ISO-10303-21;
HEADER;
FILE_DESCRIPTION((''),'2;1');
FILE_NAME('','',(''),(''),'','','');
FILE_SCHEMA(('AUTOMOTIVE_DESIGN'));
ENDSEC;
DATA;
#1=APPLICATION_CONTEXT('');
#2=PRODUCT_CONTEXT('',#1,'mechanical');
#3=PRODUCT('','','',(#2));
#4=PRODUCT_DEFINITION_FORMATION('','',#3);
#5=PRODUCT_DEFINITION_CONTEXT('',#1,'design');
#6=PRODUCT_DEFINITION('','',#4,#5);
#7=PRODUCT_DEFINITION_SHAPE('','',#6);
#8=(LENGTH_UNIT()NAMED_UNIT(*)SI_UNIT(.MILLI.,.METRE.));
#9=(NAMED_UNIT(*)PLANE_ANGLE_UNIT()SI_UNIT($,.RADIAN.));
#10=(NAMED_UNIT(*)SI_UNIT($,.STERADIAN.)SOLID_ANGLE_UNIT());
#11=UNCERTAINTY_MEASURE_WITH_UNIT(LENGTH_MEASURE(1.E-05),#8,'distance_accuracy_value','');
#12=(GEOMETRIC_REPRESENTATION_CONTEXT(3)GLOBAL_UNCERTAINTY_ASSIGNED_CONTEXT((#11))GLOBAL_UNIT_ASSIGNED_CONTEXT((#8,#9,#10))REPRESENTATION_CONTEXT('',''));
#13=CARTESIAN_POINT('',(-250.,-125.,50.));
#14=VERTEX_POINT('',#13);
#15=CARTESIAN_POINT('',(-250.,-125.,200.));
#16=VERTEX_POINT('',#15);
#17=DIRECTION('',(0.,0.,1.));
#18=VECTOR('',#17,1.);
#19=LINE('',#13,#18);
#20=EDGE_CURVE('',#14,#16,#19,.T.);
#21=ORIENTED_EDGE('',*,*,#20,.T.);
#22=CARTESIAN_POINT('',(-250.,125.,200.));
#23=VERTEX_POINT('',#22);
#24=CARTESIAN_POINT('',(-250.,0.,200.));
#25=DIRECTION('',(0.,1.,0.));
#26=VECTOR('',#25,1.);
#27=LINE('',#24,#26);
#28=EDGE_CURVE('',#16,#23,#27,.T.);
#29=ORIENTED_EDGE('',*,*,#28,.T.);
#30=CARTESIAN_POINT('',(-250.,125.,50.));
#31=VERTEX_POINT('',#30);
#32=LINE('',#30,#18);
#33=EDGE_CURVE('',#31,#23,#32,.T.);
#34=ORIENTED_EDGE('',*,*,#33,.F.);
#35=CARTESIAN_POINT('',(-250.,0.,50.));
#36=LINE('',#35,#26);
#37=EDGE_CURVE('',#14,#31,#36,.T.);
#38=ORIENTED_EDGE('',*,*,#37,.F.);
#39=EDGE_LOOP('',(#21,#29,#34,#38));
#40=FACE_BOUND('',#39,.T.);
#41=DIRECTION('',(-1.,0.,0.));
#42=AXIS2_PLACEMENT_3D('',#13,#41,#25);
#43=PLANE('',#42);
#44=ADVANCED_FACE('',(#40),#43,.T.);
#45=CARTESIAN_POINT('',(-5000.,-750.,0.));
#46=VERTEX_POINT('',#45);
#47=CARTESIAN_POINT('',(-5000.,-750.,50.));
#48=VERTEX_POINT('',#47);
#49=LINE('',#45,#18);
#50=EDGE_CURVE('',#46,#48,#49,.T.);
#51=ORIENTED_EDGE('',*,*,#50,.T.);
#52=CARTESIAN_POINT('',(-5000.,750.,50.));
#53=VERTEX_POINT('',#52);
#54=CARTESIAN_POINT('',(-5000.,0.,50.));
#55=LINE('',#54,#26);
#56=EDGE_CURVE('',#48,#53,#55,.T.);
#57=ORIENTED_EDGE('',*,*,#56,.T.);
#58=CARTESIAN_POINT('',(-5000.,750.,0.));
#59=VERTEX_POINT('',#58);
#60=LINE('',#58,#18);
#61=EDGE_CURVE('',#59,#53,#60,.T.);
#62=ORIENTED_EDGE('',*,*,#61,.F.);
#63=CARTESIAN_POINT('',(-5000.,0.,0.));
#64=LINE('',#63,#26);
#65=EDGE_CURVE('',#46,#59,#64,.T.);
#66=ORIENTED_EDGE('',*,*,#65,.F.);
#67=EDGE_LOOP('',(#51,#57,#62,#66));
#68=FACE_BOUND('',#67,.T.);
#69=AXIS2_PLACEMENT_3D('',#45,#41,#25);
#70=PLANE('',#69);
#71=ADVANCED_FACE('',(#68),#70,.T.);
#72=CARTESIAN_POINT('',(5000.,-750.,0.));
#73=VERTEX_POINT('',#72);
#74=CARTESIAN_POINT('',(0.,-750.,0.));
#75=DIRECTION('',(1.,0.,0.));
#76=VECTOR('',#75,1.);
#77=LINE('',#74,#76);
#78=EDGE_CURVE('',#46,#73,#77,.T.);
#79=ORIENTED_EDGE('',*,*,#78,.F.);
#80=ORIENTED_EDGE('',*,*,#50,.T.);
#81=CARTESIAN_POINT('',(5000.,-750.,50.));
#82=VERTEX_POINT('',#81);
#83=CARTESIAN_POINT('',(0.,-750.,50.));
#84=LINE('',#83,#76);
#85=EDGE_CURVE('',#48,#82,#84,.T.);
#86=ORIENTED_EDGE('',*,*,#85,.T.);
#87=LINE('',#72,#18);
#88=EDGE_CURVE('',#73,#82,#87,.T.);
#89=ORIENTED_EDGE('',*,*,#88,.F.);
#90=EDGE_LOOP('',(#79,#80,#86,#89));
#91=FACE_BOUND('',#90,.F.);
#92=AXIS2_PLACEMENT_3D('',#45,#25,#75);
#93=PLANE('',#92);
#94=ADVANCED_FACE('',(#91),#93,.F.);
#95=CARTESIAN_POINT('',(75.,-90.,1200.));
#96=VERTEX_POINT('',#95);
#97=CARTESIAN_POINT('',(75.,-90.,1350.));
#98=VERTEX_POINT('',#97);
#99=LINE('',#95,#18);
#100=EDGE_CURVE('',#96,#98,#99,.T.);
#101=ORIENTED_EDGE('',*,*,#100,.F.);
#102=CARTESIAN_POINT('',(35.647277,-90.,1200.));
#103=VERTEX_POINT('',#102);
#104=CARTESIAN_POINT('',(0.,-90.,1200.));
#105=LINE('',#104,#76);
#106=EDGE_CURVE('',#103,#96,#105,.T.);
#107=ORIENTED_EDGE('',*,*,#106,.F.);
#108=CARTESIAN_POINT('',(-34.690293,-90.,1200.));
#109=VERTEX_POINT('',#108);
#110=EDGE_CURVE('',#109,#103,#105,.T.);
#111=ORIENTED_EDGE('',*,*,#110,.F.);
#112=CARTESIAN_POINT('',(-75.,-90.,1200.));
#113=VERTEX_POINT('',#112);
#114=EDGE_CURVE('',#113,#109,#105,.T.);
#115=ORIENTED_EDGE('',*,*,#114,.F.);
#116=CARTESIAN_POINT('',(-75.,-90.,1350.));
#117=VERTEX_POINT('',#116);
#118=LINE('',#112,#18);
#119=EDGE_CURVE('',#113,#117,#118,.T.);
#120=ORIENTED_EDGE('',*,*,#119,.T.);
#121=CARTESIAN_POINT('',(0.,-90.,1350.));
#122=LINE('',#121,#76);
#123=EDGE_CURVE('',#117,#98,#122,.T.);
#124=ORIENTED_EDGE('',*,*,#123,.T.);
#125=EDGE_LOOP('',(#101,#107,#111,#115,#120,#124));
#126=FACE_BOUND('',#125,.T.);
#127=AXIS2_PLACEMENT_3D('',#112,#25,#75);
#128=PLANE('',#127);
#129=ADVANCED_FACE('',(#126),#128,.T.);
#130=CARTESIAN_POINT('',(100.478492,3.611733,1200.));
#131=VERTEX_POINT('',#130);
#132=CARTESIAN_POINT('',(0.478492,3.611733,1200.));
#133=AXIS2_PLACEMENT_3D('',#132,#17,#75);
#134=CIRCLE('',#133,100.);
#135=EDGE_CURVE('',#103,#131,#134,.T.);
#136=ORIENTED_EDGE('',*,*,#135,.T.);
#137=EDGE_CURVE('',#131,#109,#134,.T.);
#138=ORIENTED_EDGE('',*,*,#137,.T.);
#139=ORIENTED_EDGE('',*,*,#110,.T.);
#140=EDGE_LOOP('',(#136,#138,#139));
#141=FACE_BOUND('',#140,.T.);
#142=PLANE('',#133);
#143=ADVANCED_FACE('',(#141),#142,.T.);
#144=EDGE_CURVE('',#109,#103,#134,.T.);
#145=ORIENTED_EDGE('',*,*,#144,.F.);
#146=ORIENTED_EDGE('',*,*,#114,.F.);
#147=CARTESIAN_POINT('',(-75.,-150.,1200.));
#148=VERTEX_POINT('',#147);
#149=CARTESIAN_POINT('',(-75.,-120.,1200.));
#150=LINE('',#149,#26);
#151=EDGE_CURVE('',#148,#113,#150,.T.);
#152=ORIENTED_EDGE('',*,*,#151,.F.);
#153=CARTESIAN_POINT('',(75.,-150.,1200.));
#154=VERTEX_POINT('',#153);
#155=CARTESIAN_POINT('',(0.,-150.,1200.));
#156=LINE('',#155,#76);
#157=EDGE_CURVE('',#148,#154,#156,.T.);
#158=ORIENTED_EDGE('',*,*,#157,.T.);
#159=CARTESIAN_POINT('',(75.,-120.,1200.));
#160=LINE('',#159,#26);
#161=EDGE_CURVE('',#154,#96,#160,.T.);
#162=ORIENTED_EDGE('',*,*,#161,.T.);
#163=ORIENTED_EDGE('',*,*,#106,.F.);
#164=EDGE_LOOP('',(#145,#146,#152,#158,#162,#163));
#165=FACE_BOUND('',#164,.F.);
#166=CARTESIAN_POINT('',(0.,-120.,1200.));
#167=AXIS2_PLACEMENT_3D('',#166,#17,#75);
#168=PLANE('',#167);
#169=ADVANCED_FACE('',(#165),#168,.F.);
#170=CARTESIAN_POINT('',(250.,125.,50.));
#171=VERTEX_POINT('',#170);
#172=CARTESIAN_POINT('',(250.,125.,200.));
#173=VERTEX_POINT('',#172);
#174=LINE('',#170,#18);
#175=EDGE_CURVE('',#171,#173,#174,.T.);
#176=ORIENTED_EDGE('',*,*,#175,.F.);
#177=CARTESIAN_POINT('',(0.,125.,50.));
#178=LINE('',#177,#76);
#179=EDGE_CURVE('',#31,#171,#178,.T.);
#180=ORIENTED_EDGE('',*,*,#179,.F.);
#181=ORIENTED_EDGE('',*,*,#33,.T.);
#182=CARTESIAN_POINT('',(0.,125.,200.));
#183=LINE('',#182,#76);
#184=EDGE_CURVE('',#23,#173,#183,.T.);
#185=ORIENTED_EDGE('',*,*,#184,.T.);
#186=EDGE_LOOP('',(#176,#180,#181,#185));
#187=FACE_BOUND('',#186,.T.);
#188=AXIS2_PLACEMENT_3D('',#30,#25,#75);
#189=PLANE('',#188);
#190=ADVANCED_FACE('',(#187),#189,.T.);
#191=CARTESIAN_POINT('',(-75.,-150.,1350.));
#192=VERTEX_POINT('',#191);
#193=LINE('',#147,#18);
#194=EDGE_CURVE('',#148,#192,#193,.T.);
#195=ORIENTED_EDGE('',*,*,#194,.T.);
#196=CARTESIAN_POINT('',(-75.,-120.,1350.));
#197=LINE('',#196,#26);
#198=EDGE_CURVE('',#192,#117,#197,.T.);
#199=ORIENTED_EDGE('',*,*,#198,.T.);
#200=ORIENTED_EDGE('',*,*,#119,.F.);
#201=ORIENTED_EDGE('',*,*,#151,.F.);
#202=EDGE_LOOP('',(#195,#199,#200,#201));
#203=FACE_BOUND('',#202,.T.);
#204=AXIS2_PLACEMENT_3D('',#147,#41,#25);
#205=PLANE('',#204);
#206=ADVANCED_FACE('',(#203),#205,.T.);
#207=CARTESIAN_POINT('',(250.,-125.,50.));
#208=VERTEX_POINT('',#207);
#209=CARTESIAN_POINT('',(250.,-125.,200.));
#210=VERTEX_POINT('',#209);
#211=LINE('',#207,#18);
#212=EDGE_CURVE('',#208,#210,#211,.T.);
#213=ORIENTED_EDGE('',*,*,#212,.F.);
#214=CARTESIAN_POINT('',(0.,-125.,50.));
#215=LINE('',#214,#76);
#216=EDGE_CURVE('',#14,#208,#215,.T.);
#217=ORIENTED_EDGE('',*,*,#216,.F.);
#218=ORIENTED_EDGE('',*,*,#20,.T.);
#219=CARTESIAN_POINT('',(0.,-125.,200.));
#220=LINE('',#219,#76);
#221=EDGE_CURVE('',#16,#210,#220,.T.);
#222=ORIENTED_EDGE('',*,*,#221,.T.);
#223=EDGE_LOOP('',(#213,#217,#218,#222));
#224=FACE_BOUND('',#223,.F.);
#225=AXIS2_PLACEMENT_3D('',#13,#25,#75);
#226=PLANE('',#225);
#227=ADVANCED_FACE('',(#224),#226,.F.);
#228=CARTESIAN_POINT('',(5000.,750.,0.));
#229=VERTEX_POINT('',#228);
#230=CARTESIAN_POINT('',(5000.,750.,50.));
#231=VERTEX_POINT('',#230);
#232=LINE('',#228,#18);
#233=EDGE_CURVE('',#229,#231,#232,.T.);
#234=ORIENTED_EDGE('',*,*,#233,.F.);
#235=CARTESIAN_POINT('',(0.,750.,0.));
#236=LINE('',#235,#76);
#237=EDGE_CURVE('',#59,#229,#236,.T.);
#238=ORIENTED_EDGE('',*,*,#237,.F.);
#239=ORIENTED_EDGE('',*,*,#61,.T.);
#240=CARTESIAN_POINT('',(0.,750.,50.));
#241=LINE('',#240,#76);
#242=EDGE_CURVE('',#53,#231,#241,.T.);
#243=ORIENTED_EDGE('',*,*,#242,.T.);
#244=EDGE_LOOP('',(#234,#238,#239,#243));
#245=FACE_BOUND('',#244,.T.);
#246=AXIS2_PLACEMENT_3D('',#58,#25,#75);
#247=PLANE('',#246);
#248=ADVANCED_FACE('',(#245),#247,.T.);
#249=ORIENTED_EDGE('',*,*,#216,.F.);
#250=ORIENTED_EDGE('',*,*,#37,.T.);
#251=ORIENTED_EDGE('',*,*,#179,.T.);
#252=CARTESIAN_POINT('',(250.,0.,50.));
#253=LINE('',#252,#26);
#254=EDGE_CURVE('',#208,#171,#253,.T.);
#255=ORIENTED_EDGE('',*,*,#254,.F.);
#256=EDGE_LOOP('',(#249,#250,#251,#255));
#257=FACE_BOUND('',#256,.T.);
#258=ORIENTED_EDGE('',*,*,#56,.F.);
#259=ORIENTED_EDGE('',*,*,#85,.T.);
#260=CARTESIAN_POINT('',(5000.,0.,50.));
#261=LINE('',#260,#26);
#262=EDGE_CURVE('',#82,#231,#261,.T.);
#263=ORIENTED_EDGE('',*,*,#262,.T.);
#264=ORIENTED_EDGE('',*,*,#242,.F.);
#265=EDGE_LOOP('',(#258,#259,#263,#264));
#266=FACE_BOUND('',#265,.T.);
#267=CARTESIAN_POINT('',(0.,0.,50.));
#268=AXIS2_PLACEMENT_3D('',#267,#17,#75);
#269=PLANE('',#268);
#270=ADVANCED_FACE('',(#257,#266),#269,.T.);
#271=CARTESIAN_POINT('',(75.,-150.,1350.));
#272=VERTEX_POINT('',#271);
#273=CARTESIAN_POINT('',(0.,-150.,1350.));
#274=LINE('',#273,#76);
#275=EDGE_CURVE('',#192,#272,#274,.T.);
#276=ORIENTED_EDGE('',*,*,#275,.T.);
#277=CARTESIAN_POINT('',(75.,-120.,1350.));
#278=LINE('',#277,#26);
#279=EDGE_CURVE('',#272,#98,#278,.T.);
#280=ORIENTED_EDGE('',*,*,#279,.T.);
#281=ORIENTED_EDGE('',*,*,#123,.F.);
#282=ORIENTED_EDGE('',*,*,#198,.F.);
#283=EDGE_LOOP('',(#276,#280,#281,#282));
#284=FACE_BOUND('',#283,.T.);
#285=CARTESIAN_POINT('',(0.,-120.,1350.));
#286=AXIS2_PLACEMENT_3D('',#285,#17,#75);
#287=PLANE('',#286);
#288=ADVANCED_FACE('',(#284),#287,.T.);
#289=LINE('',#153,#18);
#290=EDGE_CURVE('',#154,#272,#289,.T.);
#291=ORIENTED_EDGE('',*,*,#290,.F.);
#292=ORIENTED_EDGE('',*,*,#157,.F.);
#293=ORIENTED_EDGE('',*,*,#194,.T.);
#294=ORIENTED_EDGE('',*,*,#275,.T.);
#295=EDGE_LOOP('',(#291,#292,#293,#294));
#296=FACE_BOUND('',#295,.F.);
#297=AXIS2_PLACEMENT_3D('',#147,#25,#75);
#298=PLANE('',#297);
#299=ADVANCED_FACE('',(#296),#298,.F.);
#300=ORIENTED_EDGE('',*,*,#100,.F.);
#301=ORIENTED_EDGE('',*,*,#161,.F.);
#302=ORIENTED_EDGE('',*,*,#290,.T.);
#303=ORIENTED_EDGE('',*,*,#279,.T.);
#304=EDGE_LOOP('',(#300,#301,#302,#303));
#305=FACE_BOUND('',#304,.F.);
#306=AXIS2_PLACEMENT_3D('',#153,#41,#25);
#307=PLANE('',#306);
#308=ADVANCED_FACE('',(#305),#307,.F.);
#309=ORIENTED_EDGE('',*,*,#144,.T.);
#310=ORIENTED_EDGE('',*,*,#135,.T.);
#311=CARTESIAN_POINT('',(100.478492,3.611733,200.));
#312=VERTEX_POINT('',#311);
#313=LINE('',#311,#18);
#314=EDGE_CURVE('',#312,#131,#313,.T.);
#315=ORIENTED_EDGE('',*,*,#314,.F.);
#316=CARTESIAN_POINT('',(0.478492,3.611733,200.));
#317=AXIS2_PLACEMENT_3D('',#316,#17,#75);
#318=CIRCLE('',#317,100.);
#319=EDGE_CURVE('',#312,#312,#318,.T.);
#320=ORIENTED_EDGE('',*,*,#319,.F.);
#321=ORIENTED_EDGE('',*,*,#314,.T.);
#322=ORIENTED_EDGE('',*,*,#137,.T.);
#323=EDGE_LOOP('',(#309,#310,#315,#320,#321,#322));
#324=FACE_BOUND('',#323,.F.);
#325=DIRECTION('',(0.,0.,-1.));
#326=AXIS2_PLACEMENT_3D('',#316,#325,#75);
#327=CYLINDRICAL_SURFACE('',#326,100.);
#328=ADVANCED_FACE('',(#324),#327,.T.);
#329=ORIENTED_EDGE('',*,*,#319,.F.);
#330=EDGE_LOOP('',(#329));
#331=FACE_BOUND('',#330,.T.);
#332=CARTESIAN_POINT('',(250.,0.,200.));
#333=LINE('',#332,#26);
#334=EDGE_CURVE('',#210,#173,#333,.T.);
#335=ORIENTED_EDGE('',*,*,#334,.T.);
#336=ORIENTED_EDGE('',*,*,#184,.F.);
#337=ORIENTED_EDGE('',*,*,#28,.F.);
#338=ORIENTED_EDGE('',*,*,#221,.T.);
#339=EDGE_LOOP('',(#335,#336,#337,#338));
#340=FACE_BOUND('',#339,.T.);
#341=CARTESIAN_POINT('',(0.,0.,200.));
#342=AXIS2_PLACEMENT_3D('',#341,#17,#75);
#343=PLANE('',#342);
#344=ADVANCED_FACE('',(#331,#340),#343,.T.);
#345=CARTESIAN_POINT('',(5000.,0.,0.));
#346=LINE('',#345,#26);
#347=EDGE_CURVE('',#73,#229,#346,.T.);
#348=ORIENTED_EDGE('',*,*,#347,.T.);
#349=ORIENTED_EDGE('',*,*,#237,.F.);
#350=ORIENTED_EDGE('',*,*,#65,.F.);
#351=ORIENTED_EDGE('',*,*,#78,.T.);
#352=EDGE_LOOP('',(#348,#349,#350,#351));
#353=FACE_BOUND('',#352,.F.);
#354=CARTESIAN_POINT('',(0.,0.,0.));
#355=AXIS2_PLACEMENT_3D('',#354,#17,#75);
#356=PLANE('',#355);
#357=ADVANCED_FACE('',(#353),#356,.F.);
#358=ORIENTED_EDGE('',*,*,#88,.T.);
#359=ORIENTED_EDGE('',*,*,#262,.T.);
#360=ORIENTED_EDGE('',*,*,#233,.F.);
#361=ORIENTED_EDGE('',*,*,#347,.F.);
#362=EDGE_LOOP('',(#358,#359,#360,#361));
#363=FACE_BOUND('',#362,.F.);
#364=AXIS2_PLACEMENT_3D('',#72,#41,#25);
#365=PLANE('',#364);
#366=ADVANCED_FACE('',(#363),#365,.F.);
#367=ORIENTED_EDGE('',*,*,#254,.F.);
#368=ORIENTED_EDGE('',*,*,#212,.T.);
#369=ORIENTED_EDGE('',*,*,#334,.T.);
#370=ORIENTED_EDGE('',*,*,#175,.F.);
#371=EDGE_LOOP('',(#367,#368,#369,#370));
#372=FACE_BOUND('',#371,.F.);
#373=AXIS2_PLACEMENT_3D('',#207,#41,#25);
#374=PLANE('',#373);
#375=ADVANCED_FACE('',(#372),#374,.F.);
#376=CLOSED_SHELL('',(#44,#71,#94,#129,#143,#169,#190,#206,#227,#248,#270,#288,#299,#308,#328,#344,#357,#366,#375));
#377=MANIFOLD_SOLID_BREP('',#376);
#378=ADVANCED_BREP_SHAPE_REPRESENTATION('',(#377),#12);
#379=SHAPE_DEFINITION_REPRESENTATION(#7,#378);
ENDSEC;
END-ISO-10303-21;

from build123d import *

# Parameters (mm, degrees)
SKETCH_W     = 10000
SKETCH_H     = 1500
PAD_DEPTH    = 50
SKETCH001_W  = 500
SKETCH001_H  = 250
PAD001_DEPTH = 150
SKETCH002_R  = 100
PAD002_DEPTH = 1000
SKETCH003_W  = 150
SKETCH003_H  = 60
PAD003_DEPTH = 150


with BuildPart() as part:
    # Sketch → Pad (new body)
    with BuildSketch(Plane.XY):
        Rectangle(SKETCH_W, SKETCH_H)
    extrude(amount=PAD_DEPTH)

    # Sketch001 (on Face6 of Pad) → Pad001 (join)
    with BuildSketch(Plane.XY.offset(50)):
        Rectangle(SKETCH001_W, SKETCH001_H)
    extrude(amount=PAD001_DEPTH)

    # Sketch002 (on Face11 of Pad001) → Pad002 (join)
    with BuildSketch(Plane.XY.offset(200)):
        with Locations((0.478492, 3.611733)):
            Circle(SKETCH002_R)
    extrude(amount=PAD002_DEPTH)

    # Sketch003 (on Face13 of Pad002) → Pad003 (join)
    with BuildSketch(Plane.XY.offset(1200)):
        with Locations((0, -120)):
            Rectangle(SKETCH003_W, SKETCH003_H)
    extrude(amount=PAD003_DEPTH)


solid = part.part
